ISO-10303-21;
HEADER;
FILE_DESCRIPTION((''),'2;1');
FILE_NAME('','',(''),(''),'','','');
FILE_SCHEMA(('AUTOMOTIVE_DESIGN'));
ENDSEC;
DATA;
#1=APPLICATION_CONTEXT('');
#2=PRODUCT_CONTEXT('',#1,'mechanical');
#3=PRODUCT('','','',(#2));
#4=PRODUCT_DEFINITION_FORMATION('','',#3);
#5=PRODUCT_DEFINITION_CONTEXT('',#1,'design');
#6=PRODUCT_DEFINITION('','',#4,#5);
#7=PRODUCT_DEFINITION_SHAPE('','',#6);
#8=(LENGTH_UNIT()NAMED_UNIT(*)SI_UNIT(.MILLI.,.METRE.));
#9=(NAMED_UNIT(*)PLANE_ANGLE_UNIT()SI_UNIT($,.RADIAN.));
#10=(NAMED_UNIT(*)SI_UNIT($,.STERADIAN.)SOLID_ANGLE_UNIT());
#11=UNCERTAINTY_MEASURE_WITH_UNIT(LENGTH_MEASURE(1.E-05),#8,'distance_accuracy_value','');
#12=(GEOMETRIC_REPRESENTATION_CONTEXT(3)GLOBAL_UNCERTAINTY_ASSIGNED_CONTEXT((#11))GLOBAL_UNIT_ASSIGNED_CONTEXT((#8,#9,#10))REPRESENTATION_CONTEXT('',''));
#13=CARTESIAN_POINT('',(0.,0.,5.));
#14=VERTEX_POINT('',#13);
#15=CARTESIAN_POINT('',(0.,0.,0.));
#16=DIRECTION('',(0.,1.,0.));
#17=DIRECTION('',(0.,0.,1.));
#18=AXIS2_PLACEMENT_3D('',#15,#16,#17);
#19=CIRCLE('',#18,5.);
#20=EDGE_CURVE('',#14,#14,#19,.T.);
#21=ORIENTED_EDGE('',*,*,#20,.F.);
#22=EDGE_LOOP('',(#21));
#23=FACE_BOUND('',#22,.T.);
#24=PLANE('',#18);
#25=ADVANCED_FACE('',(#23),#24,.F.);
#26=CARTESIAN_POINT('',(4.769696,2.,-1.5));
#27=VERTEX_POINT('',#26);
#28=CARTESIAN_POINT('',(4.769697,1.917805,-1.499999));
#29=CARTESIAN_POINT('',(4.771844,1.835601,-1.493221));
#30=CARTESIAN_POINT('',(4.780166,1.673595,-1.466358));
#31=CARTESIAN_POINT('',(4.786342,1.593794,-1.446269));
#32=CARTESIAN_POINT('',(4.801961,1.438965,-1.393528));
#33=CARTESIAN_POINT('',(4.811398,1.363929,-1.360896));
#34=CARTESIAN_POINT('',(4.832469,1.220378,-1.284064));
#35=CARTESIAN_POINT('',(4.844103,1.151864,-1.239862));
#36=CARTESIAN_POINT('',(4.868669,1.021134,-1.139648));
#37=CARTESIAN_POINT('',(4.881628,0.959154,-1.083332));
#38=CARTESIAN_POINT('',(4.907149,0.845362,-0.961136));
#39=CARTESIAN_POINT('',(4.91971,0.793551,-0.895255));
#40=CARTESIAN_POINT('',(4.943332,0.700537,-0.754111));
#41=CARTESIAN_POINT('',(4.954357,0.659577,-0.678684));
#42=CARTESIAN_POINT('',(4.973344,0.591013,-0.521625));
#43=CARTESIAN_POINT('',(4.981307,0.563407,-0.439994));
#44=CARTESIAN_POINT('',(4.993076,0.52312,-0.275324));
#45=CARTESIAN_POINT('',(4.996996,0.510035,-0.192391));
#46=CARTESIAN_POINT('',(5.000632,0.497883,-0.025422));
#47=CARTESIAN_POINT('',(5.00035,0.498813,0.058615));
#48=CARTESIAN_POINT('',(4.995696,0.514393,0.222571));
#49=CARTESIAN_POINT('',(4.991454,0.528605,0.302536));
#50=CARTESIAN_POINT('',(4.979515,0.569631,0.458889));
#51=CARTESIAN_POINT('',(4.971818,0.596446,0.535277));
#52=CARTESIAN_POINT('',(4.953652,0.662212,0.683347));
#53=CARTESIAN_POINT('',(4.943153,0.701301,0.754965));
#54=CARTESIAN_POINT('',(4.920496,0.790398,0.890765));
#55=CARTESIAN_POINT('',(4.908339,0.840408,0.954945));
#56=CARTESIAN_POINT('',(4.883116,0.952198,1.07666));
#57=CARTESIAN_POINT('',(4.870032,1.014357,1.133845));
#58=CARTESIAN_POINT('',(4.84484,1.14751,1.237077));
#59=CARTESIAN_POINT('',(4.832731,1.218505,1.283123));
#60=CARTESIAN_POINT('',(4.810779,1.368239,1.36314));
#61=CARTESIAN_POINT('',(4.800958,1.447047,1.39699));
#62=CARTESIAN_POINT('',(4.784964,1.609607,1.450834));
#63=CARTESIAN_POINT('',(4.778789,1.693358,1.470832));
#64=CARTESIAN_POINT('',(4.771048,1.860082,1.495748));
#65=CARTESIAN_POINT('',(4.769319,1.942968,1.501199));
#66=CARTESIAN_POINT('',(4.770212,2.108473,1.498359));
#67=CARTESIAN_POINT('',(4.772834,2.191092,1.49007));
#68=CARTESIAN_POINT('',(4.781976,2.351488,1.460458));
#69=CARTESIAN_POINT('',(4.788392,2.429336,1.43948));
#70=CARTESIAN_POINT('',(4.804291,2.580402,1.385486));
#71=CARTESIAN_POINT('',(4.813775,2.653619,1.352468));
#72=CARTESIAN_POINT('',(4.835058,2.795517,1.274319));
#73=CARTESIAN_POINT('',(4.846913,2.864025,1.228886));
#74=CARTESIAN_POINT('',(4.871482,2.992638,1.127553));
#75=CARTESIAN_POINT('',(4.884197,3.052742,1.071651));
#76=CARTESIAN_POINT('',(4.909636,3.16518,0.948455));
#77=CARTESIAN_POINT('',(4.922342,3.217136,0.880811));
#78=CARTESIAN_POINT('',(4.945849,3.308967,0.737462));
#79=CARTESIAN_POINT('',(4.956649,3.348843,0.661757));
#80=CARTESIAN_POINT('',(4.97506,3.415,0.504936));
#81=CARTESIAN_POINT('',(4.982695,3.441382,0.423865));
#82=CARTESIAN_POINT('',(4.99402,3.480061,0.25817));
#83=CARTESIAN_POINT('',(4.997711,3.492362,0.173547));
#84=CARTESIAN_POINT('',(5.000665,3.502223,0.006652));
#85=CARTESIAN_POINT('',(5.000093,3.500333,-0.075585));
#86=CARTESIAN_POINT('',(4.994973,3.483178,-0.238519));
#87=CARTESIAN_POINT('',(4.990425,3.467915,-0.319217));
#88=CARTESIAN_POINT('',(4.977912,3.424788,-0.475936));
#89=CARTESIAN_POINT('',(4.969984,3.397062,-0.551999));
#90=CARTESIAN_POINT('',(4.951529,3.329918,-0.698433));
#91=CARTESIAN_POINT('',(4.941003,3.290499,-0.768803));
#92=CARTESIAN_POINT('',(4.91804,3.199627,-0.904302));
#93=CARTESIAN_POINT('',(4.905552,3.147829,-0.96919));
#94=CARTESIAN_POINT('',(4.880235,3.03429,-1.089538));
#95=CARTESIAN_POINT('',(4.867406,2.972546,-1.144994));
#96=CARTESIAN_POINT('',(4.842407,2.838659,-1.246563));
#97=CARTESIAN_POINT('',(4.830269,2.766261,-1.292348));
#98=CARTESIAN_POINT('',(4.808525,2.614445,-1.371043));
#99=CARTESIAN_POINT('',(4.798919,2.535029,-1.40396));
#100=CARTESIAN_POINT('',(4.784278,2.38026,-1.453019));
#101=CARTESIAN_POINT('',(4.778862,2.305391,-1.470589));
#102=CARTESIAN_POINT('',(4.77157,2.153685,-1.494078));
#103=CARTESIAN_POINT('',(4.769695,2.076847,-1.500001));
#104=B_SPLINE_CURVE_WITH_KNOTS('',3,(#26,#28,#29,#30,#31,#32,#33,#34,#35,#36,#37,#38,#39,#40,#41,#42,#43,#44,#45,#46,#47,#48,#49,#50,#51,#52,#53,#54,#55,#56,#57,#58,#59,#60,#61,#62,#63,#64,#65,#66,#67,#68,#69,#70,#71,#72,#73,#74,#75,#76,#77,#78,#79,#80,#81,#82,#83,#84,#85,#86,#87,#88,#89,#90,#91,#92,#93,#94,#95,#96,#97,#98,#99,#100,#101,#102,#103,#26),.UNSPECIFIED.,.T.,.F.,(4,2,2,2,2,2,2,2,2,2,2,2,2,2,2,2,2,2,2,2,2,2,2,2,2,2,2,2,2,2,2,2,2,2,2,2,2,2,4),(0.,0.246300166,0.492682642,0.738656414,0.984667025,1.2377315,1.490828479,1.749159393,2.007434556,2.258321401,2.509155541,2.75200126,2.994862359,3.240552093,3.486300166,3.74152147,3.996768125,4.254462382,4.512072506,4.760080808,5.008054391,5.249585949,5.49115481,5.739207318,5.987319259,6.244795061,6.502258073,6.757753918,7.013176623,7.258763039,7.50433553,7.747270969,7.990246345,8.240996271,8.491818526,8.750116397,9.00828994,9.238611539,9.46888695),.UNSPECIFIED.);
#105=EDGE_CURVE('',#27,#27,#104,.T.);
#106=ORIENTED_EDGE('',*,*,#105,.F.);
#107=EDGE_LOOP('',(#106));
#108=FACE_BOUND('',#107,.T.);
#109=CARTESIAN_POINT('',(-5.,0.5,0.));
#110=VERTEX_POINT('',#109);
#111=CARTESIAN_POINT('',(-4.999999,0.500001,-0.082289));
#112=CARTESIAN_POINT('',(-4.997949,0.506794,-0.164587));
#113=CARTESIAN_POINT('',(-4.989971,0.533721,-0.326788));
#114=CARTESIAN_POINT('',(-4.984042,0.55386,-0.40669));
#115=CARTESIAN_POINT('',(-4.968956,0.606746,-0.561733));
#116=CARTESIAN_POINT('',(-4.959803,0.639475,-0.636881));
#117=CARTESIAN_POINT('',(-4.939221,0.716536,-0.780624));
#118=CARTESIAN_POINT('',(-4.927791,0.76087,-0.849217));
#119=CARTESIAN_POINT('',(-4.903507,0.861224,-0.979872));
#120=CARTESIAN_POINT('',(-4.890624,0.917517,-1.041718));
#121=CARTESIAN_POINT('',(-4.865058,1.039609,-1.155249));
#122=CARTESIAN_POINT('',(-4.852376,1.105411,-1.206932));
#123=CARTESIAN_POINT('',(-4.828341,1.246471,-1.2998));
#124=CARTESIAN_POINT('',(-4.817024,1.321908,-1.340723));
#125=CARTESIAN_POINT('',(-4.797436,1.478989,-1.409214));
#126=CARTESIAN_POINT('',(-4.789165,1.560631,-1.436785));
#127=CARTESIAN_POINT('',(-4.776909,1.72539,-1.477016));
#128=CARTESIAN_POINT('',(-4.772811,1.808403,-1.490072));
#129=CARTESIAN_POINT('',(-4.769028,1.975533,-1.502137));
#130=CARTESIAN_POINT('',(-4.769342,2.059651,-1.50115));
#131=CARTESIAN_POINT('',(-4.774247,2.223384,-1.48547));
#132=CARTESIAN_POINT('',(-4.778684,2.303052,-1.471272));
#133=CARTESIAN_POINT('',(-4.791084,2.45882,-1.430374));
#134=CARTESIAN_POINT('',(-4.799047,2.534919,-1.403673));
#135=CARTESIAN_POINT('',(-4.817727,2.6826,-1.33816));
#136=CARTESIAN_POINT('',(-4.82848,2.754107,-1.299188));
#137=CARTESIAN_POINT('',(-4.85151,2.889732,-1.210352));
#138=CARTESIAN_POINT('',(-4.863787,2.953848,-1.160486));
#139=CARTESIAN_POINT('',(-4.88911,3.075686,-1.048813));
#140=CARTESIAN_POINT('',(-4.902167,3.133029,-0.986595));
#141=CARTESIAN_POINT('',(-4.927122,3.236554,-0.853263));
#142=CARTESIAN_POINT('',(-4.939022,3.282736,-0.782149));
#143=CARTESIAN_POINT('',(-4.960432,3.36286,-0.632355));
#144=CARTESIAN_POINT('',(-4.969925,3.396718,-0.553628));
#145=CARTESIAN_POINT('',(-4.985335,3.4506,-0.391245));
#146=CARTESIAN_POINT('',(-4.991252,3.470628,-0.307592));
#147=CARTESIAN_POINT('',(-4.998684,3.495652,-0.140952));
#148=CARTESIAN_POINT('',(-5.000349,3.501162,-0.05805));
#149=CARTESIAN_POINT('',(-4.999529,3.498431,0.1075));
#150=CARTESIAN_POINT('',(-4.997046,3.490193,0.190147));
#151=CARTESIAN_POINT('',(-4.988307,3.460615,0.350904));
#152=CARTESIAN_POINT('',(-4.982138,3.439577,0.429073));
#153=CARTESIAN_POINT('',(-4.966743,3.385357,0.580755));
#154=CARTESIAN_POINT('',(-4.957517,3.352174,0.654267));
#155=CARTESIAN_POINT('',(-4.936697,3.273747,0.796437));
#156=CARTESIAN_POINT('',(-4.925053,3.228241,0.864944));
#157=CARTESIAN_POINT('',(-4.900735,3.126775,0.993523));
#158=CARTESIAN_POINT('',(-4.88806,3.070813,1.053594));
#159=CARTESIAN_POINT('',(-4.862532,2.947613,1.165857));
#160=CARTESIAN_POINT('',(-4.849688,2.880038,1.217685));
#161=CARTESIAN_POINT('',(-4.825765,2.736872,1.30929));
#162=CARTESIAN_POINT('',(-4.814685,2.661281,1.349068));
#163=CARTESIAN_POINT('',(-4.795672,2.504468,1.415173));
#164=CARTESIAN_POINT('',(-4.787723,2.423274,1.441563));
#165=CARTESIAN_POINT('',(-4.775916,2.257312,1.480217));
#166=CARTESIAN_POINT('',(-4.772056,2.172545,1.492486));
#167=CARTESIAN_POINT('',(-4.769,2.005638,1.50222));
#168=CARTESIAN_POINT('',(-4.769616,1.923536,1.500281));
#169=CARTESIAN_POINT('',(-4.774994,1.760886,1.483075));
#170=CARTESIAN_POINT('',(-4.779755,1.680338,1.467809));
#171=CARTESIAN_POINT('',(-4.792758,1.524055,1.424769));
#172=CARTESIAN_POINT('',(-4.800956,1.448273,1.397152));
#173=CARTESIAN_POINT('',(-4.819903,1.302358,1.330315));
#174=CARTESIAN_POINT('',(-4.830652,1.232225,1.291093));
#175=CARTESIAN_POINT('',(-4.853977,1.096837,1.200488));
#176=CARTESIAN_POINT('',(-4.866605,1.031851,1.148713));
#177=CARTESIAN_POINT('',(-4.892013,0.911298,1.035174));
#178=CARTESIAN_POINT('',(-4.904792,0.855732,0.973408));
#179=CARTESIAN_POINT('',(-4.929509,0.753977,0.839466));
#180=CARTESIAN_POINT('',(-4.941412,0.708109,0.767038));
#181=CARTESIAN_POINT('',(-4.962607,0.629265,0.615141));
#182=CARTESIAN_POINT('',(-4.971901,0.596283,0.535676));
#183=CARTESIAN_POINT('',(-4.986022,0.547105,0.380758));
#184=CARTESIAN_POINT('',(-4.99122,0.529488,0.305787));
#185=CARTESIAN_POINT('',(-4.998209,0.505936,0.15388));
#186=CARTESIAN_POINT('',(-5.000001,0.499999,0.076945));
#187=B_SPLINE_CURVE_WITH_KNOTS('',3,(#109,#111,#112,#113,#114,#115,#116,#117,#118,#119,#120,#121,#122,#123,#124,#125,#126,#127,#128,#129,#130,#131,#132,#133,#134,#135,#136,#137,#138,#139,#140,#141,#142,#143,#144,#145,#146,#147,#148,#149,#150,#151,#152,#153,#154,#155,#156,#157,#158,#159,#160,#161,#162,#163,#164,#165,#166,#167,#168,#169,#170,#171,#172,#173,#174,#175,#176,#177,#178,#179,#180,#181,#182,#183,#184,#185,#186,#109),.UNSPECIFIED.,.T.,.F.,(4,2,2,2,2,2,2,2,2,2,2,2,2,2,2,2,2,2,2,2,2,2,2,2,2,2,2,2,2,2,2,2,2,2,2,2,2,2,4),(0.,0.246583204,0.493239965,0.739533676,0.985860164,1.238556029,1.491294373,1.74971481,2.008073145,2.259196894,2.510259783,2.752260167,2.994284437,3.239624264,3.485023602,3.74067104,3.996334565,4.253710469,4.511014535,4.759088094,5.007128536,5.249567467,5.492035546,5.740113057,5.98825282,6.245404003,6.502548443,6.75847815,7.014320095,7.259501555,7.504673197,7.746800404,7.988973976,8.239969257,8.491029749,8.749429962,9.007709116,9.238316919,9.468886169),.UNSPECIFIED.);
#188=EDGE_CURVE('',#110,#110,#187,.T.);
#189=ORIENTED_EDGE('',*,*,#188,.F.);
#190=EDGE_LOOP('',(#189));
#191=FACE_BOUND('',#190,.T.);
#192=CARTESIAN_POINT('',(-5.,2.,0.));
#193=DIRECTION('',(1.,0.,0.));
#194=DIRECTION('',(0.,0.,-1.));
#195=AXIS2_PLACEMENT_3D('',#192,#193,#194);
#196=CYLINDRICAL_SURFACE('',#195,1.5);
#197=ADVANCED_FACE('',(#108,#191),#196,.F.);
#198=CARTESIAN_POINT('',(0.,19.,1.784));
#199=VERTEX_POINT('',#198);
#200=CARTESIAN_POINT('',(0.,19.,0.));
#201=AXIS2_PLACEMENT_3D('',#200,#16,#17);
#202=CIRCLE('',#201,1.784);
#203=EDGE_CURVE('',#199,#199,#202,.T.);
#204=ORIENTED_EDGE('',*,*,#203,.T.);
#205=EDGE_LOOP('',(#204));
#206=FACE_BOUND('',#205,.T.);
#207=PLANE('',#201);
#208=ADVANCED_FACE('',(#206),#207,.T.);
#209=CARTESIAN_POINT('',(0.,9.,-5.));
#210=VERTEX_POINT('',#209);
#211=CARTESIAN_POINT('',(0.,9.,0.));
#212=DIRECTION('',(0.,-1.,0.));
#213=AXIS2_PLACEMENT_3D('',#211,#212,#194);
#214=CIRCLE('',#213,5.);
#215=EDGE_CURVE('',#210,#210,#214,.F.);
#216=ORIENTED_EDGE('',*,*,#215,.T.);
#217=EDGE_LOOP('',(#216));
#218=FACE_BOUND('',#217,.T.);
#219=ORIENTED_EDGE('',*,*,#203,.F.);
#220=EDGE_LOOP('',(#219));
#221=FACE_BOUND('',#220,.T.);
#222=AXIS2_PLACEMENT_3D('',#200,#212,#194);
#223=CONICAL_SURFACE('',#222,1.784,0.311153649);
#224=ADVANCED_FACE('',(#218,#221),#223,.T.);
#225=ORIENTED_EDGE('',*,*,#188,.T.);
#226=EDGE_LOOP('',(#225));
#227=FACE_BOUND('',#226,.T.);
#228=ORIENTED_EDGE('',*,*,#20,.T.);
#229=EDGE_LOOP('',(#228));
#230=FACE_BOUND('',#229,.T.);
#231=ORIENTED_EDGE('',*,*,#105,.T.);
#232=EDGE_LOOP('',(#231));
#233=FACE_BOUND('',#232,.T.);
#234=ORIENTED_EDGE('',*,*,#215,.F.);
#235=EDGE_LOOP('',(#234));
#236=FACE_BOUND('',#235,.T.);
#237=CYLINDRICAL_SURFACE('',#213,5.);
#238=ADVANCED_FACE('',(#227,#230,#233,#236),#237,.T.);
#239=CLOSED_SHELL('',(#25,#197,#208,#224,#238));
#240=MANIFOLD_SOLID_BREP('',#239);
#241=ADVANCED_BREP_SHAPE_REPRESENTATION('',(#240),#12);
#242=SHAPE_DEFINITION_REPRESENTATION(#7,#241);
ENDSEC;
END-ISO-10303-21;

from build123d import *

# Parameters (mm, degrees)
SKETCH1_R             = 5
BODY_DEPTH            = 9
PIN_INSERT_DEPTH      = 12.445523142
PIN_INSERT_DEPTH_BACK = 12.445523142
SKETCH2_R             = 1.5
HEAD_SA_R             = 1.784


with BuildPart() as part:
    # Sketch1 → body (new body)
    with BuildSketch(Plane(origin=(0, 0, 0), x_dir=(1, 0, 0), z_dir=(0, 1, 0))):
        with Locations(Location((0, 0, 0), (0, 0, 270))):
            Circle(SKETCH1_R)
    extrude(amount=BODY_DEPTH)

    # Sketch2 → pin insert (cut, two sides: drawn at the far end of the back side and taken through both)
    with BuildSketch(Plane(origin=(0, 0, 0), x_dir=(0, 0, -1), z_dir=(1, 0, 0)).offset(-PIN_INSERT_DEPTH_BACK)):
        with Locations((0, 2)):
            Circle(SKETCH2_R)
    extrude(amount=PIN_INSERT_DEPTH + PIN_INSERT_DEPTH_BACK, mode=Mode.SUBTRACT)

    # head SA → section 0 of cone
    with BuildSketch(Plane(origin=(0, 19, 0), x_dir=(1, 0, 0), z_dir=(0, 1, 0)), mode=Mode.PRIVATE) as cone_s0:
        Circle(HEAD_SA_R)
    # loft up to a face of the part (cone)
    loft([cone_s0.sketch, part.faces().sort_by_distance((0, 9, 0))[0]])


solid = part.part
